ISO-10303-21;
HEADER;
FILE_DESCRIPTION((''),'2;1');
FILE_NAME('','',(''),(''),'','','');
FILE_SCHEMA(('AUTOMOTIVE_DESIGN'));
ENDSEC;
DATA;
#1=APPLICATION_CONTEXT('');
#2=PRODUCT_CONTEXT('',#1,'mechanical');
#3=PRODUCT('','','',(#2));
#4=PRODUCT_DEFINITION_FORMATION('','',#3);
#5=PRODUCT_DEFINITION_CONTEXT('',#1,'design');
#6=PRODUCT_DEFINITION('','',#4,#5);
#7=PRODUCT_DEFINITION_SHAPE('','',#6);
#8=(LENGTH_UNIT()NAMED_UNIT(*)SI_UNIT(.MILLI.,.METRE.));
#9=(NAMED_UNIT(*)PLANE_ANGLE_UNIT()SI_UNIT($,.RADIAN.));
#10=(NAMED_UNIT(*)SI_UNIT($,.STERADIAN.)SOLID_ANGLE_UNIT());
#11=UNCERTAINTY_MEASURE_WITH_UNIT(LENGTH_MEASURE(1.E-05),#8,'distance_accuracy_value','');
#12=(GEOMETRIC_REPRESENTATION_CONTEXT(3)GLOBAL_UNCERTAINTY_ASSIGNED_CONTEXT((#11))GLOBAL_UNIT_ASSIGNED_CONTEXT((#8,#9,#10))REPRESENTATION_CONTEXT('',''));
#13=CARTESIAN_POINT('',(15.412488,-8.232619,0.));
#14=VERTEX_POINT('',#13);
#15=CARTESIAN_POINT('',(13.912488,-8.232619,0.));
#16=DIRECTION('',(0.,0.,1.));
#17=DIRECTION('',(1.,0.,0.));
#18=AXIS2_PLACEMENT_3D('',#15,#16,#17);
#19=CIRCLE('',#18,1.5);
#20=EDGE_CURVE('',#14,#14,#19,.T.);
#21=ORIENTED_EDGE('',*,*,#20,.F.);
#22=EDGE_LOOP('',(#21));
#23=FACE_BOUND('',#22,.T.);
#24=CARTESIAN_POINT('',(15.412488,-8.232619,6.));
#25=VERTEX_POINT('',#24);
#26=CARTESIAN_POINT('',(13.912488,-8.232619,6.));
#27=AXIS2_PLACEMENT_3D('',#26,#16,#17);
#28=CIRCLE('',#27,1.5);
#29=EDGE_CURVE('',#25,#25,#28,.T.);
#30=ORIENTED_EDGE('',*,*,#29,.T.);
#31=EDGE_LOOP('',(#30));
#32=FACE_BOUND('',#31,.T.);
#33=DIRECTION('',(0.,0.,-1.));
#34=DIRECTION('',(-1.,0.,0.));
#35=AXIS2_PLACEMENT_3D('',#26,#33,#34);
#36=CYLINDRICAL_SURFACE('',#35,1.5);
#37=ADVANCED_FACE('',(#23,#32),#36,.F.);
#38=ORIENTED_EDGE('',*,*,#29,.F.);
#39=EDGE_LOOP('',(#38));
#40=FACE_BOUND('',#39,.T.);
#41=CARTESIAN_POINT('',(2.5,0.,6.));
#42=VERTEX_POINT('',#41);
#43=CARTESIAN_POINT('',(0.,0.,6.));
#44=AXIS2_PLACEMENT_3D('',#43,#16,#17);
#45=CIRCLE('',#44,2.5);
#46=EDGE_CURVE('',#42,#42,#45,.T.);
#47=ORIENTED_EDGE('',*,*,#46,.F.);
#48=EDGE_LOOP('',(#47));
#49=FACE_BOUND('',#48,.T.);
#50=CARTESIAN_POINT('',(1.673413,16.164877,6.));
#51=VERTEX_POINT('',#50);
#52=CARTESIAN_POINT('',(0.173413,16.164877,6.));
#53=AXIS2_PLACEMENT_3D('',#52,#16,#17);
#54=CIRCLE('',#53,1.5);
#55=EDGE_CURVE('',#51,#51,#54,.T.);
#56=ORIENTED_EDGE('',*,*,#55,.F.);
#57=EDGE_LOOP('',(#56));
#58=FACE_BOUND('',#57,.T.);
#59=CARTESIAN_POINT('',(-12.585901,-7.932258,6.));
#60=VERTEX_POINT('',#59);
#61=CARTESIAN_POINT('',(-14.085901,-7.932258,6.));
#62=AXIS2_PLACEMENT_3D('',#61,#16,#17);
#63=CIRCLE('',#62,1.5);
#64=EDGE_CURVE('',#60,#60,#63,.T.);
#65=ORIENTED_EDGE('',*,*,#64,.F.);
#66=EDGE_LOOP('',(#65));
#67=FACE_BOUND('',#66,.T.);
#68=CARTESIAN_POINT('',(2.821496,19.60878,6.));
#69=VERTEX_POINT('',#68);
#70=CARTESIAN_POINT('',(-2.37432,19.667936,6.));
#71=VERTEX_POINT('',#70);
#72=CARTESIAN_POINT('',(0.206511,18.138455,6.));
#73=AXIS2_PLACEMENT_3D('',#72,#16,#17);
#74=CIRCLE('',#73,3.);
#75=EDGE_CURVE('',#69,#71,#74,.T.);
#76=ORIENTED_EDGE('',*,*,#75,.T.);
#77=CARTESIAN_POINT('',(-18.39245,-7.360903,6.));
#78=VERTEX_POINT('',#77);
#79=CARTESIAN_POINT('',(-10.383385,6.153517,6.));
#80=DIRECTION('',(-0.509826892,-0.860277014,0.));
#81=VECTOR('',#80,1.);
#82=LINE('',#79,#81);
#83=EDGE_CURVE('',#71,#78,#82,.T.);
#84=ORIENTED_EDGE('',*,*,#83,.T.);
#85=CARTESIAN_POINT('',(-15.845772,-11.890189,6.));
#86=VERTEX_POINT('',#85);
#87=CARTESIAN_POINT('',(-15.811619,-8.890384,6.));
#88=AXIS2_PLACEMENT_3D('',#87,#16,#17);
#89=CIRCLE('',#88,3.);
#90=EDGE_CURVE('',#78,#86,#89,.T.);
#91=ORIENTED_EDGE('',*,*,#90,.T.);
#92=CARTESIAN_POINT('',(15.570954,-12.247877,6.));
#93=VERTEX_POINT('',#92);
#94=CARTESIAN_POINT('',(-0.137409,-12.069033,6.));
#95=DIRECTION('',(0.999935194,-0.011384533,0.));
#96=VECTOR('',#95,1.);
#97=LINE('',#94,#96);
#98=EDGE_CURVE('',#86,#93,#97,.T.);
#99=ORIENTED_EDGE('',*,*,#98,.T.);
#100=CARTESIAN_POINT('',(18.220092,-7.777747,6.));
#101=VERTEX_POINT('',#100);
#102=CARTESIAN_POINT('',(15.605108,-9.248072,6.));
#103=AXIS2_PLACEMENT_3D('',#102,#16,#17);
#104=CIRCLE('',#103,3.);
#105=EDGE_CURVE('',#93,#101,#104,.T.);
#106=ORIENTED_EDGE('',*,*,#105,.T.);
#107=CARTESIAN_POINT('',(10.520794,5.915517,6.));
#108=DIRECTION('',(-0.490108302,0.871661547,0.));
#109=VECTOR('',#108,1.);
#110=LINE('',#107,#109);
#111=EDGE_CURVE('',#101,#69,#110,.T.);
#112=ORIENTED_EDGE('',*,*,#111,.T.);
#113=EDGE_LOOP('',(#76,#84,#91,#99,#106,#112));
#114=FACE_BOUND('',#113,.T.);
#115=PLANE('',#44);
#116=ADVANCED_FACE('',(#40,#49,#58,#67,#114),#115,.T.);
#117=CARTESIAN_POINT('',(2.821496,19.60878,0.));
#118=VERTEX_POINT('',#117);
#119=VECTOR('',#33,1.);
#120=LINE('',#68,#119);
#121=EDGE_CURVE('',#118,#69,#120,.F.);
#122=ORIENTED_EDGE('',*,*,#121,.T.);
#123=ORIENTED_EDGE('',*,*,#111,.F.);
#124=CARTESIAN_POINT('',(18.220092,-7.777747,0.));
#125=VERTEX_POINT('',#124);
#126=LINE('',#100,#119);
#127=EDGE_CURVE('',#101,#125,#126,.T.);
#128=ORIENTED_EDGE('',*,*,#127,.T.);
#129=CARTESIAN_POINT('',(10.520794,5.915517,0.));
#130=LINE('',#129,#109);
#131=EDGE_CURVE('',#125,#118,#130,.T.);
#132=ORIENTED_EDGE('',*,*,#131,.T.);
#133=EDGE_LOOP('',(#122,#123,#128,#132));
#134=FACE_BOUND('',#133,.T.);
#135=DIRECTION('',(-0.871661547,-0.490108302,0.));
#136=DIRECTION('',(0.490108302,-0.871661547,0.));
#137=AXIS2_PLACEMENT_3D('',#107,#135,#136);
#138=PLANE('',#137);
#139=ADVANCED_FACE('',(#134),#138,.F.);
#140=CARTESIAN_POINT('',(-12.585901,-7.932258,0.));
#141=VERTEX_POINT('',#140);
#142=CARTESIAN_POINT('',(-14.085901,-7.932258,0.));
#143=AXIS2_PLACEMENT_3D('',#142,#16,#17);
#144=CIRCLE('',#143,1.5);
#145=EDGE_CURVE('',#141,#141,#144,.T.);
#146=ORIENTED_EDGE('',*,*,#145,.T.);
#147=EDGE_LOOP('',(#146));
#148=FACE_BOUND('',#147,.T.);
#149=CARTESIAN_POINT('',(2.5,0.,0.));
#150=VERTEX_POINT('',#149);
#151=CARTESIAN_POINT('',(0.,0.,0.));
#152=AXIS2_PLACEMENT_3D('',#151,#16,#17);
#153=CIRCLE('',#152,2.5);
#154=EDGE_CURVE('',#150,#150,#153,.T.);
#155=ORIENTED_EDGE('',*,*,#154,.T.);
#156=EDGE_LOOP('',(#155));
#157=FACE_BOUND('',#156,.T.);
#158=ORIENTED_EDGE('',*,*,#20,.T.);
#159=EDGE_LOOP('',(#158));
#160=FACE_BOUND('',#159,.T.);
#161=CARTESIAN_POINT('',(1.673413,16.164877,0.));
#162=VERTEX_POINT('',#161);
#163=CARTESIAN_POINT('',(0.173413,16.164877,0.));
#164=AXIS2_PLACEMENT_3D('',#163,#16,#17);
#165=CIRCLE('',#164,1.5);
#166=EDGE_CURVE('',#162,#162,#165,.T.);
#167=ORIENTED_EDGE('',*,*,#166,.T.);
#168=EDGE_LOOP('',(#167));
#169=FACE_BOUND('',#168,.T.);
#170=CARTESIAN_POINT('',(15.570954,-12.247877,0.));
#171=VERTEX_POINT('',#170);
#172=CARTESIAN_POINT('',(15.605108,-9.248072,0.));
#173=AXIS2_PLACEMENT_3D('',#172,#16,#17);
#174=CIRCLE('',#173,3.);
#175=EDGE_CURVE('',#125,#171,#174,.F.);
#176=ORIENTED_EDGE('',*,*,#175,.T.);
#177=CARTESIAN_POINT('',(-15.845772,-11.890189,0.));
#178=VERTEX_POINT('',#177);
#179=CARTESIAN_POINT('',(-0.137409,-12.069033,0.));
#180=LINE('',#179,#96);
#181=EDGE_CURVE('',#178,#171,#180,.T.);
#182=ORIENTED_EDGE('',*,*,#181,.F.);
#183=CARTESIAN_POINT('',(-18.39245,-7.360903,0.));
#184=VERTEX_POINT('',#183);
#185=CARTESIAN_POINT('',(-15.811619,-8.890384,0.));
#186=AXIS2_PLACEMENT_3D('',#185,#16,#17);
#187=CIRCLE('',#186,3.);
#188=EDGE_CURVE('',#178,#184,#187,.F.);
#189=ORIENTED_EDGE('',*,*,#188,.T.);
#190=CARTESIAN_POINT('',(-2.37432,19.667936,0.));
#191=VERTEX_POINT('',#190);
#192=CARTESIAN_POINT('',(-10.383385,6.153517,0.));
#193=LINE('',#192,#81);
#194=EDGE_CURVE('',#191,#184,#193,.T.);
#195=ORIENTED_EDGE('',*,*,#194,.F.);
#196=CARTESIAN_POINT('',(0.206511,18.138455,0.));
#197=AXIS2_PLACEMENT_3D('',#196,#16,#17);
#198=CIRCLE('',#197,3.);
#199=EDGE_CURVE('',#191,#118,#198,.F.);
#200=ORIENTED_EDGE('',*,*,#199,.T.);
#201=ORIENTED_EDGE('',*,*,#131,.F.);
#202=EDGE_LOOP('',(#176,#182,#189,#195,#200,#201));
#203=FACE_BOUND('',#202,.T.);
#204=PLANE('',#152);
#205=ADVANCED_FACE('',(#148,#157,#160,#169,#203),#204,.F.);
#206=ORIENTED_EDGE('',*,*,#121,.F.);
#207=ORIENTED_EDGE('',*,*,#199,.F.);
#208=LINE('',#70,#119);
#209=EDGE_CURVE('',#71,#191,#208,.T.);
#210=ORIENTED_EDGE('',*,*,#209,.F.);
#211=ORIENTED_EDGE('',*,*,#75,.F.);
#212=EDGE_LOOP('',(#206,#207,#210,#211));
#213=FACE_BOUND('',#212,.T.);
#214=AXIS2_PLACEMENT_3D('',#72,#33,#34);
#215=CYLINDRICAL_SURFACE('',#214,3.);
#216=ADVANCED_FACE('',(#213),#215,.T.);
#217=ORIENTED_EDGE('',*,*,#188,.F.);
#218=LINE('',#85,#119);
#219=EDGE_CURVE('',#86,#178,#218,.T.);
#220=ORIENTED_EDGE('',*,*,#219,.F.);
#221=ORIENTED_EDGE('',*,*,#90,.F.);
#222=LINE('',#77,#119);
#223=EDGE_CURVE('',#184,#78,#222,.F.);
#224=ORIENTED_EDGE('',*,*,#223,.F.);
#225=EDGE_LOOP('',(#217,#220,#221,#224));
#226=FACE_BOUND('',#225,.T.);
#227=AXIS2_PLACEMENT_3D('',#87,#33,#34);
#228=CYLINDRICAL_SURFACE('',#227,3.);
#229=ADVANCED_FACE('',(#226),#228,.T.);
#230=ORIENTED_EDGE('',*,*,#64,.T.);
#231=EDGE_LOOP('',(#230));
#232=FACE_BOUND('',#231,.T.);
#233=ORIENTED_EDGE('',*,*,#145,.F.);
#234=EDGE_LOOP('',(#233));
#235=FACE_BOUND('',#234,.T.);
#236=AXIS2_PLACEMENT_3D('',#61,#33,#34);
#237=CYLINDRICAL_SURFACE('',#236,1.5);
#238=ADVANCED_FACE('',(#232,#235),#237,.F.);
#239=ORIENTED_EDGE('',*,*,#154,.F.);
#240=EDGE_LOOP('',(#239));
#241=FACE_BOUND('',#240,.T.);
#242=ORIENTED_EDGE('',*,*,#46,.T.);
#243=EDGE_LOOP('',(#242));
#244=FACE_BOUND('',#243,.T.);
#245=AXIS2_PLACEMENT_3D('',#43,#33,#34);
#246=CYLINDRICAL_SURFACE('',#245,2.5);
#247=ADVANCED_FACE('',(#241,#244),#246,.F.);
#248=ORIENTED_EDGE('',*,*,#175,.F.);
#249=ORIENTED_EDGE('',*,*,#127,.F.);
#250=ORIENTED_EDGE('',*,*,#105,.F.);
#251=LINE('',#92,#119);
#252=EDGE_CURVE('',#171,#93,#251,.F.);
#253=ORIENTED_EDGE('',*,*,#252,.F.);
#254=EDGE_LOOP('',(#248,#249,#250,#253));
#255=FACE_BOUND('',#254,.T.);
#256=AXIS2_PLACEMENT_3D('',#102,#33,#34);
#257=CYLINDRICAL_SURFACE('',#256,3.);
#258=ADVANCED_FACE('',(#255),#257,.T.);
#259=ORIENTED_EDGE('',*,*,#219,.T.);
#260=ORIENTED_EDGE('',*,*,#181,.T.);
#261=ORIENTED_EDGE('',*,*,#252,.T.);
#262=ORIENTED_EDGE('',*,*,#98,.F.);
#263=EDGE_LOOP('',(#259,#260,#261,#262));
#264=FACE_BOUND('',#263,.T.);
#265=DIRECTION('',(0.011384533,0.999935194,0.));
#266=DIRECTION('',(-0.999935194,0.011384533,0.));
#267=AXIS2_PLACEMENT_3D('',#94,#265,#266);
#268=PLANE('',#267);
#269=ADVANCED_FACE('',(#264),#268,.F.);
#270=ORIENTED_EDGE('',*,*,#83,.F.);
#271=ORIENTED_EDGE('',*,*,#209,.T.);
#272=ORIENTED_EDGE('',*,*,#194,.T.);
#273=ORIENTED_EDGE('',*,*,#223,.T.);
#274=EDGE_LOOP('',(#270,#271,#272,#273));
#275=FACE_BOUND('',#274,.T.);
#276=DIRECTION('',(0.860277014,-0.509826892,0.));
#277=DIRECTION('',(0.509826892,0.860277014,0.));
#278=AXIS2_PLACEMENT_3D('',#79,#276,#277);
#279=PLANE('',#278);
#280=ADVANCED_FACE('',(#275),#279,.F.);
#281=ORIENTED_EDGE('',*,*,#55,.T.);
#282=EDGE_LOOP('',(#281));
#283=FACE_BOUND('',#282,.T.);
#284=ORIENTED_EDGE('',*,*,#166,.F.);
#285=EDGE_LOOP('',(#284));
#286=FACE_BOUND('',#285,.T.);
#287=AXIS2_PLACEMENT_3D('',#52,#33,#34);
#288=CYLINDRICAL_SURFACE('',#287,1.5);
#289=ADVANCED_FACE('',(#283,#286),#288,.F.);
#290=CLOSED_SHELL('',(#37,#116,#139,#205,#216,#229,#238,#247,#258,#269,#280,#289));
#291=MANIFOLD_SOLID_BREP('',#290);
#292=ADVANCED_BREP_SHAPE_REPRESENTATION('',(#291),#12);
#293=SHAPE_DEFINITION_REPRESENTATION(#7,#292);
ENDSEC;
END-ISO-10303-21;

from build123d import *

# Parameters (mm, degrees)
SKETCH1_R           = 1.5
SKETCH1_R_2         = 2.5
BOSS_EXTRUDE2_DEPTH = 6
FILLET1_R           = 3


with BuildPart() as part:
    # Sketch1 → Boss-Extrude2 (new body)
    with BuildSketch(Plane.XY):
        Polygon((20.766769668, -12.307033049), (0.274818432, 24.138066612), (-21.0415881, -11.831033562), align=None)
        with Locations((0.173413232, 16.164877395)):
            Circle(SKETCH1_R, mode=Mode.SUBTRACT)
        with Locations((13.912487857, -8.232618961)):
            Circle(SKETCH1_R, mode=Mode.SUBTRACT)
        with Locations((-14.085901089, -7.932258433)):
            Circle(SKETCH1_R, mode=Mode.SUBTRACT)
        Circle(SKETCH1_R_2, mode=Mode.SUBTRACT)
    extrude(amount=BOSS_EXTRUDE2_DEPTH)

    # Fillet1
    fillet1_edges = [part.edges().sort_by_distance(p)[0] for p in [
        (0.274818432, 24.138066612, 3),
        (20.766769668, -12.307033049, 3),
        (-21.0415881, -11.831033562, 3),
    ]]
    fillet(fillet1_edges, radius=FILLET1_R)


solid = part.part
